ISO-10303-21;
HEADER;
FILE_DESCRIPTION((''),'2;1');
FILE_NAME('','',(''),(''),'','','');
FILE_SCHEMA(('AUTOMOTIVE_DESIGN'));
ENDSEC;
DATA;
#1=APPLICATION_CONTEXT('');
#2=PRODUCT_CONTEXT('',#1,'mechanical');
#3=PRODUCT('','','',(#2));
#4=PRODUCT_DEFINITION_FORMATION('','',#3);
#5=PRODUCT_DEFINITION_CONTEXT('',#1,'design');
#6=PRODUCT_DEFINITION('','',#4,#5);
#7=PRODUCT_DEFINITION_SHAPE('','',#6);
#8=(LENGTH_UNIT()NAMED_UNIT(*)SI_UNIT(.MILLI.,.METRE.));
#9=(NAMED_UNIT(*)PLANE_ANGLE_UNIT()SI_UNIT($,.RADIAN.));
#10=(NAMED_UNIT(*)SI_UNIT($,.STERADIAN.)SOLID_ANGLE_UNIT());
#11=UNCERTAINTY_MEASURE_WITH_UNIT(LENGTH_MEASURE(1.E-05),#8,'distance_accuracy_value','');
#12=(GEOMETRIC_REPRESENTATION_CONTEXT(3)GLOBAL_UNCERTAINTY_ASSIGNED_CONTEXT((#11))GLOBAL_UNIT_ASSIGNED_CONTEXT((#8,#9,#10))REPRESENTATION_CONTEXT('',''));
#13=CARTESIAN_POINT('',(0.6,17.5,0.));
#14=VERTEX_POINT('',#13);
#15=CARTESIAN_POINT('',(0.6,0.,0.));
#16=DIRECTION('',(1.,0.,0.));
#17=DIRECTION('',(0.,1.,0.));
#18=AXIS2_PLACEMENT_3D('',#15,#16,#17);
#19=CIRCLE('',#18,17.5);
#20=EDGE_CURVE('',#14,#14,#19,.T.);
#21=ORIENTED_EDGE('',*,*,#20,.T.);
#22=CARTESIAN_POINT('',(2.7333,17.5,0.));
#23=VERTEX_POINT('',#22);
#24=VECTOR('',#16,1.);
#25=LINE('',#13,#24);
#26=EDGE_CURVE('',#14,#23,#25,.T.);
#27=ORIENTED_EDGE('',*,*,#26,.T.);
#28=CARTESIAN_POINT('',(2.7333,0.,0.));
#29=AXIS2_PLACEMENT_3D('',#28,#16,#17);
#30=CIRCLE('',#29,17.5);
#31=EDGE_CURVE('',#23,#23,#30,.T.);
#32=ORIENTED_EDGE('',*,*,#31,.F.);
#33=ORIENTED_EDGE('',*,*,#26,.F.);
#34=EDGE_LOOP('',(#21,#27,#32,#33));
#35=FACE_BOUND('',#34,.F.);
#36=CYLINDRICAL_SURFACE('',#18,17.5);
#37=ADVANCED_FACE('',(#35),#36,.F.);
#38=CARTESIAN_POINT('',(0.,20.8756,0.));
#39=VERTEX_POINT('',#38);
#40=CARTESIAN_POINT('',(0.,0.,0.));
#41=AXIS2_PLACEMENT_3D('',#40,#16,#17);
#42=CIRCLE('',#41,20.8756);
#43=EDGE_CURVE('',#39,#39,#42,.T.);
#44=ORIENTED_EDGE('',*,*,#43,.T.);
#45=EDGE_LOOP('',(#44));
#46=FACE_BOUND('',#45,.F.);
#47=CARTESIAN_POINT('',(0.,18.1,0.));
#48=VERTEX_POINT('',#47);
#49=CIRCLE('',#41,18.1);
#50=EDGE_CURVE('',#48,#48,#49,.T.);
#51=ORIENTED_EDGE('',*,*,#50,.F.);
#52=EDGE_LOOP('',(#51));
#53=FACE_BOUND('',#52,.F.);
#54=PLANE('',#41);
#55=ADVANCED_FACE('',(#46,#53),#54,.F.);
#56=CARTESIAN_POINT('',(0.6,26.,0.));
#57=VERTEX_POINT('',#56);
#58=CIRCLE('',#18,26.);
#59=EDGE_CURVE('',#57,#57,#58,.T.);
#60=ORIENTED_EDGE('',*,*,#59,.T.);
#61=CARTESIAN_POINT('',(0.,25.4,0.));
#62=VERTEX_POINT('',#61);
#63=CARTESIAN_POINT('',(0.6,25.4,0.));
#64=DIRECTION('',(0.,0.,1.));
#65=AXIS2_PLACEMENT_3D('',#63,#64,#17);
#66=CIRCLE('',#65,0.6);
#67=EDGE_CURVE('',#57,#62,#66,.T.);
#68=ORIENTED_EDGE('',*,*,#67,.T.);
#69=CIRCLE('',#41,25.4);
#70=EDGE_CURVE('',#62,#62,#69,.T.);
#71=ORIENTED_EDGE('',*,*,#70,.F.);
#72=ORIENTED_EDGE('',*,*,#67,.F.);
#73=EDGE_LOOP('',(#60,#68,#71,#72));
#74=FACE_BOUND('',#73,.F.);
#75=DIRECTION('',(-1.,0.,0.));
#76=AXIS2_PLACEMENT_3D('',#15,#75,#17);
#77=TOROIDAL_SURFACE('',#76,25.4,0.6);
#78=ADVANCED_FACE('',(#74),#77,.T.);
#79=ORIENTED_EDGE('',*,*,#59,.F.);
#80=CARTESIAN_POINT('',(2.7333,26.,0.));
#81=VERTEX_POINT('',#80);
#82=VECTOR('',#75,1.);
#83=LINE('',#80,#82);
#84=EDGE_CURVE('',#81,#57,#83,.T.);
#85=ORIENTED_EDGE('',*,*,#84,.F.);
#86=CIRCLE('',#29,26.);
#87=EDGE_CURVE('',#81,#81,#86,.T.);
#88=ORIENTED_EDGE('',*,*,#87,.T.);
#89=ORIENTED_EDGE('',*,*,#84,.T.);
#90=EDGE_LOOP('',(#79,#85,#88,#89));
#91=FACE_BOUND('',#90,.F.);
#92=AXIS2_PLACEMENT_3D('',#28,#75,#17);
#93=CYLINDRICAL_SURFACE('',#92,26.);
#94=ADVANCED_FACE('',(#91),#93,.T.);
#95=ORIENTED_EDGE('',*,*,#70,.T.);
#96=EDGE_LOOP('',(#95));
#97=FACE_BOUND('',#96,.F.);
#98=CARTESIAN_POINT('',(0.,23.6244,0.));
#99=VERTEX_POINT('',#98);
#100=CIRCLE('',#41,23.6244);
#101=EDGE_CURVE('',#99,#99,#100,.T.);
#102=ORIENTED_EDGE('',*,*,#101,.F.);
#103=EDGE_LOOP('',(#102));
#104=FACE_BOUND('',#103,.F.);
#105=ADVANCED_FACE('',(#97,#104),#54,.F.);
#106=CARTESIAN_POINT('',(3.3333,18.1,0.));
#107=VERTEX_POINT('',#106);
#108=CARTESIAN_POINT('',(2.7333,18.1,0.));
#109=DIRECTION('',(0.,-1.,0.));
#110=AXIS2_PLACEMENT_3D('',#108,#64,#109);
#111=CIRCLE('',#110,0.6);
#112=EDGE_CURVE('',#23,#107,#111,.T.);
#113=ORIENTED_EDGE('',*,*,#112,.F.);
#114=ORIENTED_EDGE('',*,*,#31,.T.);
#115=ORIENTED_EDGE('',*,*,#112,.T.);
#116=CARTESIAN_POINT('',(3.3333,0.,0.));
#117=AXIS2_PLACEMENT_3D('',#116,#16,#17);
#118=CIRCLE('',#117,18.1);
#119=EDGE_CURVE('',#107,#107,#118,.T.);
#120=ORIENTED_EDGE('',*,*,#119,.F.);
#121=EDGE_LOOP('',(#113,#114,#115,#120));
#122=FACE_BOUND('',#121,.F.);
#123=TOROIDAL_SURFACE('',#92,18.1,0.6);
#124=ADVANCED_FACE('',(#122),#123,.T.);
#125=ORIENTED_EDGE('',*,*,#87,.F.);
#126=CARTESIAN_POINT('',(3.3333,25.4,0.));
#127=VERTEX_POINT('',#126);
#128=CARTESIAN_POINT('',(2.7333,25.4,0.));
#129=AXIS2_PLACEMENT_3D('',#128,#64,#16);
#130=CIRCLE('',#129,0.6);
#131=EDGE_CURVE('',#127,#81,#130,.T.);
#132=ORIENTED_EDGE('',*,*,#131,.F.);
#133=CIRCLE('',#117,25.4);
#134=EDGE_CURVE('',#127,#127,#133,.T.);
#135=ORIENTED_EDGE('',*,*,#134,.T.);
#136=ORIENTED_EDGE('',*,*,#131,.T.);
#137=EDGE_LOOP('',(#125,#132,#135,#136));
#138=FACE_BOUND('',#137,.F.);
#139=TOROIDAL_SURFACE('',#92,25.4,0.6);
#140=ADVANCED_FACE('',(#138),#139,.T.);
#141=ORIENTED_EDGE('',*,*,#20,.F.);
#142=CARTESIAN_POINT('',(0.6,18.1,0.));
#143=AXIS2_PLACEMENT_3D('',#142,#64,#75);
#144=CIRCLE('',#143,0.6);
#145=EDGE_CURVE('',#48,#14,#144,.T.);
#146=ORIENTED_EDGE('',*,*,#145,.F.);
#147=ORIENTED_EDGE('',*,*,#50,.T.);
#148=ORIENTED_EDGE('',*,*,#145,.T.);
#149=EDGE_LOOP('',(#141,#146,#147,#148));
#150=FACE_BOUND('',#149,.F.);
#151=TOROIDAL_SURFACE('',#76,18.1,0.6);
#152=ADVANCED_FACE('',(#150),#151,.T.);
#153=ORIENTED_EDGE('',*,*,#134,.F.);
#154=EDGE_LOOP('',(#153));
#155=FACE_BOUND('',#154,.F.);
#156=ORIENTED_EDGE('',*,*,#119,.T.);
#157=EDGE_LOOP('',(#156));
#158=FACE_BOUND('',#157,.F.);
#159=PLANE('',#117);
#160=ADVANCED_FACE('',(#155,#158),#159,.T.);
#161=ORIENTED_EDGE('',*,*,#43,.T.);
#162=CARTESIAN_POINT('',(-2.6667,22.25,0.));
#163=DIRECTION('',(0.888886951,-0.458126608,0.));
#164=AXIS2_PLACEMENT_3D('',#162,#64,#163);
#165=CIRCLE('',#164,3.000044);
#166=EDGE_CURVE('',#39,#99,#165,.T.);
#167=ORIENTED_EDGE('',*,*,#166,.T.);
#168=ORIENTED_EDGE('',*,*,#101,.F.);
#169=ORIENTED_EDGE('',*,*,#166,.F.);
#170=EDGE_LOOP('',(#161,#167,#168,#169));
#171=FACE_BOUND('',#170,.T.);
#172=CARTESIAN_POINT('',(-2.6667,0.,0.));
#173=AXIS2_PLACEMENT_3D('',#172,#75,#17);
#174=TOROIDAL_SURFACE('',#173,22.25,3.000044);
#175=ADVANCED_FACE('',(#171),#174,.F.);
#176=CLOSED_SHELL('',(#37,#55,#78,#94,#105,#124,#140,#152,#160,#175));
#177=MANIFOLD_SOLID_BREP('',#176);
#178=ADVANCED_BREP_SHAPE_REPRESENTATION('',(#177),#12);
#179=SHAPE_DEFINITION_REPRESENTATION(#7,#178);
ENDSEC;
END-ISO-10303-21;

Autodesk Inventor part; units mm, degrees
sketch "Sketch_1" plane through (0, 0, 0) normal (0, 0, 1) x (1, 0, 0)
  line L0 (3.3333, 0) -> (0, 0)
  arc A0 (0, 20.8756) -> (0, 23.6244) centre (-2.6667, 22.25) ccw
  line L1 (0, 20.8756) -> (0, 18.1)
  arc A1 (0, 18.1) -> (0.6, 17.5) centre (0.6, 18.1) ccw
  line L2 (0.6, 17.5) -> (2.7333, 17.5)
  arc A2 (2.7333, 17.5) -> (3.3333, 18.1) centre (2.7333, 18.1) ccw
  line L3 (3.3333, 18.1) -> (3.3333, 25.4)
  arc A3 (3.3333, 25.4) -> (2.7333, 26) centre (2.7333, 25.4) ccw
  line L4 (2.7333, 26) -> (0.6, 26)
  arc A4 (0.6, 26) -> (0, 25.4) centre (0.6, 25.4) ccw
  line L5 (0, 25.4) -> (0, 23.6244)
revolve "Revolution1" add sketch "Sketch_1" angle 360 about axis through (3.3333, 0, 0) along (1, 0, 0)
ref_plane "SW_HW_XY" through (-8.6667, 0, 0) normal (1, 0, 0) x (0, 0, -1)
ref_plane "SW_HW_YZ" through (-8.6667, 0, 0) normal (0, 0, -1) x (0, 1, 0)
ref_plane "SW_HW_ZX" through (-8.6667, 0, 0) normal (0, 1, 0) x (1, 0, 0)
properties part number "51107 Shaft washer"
